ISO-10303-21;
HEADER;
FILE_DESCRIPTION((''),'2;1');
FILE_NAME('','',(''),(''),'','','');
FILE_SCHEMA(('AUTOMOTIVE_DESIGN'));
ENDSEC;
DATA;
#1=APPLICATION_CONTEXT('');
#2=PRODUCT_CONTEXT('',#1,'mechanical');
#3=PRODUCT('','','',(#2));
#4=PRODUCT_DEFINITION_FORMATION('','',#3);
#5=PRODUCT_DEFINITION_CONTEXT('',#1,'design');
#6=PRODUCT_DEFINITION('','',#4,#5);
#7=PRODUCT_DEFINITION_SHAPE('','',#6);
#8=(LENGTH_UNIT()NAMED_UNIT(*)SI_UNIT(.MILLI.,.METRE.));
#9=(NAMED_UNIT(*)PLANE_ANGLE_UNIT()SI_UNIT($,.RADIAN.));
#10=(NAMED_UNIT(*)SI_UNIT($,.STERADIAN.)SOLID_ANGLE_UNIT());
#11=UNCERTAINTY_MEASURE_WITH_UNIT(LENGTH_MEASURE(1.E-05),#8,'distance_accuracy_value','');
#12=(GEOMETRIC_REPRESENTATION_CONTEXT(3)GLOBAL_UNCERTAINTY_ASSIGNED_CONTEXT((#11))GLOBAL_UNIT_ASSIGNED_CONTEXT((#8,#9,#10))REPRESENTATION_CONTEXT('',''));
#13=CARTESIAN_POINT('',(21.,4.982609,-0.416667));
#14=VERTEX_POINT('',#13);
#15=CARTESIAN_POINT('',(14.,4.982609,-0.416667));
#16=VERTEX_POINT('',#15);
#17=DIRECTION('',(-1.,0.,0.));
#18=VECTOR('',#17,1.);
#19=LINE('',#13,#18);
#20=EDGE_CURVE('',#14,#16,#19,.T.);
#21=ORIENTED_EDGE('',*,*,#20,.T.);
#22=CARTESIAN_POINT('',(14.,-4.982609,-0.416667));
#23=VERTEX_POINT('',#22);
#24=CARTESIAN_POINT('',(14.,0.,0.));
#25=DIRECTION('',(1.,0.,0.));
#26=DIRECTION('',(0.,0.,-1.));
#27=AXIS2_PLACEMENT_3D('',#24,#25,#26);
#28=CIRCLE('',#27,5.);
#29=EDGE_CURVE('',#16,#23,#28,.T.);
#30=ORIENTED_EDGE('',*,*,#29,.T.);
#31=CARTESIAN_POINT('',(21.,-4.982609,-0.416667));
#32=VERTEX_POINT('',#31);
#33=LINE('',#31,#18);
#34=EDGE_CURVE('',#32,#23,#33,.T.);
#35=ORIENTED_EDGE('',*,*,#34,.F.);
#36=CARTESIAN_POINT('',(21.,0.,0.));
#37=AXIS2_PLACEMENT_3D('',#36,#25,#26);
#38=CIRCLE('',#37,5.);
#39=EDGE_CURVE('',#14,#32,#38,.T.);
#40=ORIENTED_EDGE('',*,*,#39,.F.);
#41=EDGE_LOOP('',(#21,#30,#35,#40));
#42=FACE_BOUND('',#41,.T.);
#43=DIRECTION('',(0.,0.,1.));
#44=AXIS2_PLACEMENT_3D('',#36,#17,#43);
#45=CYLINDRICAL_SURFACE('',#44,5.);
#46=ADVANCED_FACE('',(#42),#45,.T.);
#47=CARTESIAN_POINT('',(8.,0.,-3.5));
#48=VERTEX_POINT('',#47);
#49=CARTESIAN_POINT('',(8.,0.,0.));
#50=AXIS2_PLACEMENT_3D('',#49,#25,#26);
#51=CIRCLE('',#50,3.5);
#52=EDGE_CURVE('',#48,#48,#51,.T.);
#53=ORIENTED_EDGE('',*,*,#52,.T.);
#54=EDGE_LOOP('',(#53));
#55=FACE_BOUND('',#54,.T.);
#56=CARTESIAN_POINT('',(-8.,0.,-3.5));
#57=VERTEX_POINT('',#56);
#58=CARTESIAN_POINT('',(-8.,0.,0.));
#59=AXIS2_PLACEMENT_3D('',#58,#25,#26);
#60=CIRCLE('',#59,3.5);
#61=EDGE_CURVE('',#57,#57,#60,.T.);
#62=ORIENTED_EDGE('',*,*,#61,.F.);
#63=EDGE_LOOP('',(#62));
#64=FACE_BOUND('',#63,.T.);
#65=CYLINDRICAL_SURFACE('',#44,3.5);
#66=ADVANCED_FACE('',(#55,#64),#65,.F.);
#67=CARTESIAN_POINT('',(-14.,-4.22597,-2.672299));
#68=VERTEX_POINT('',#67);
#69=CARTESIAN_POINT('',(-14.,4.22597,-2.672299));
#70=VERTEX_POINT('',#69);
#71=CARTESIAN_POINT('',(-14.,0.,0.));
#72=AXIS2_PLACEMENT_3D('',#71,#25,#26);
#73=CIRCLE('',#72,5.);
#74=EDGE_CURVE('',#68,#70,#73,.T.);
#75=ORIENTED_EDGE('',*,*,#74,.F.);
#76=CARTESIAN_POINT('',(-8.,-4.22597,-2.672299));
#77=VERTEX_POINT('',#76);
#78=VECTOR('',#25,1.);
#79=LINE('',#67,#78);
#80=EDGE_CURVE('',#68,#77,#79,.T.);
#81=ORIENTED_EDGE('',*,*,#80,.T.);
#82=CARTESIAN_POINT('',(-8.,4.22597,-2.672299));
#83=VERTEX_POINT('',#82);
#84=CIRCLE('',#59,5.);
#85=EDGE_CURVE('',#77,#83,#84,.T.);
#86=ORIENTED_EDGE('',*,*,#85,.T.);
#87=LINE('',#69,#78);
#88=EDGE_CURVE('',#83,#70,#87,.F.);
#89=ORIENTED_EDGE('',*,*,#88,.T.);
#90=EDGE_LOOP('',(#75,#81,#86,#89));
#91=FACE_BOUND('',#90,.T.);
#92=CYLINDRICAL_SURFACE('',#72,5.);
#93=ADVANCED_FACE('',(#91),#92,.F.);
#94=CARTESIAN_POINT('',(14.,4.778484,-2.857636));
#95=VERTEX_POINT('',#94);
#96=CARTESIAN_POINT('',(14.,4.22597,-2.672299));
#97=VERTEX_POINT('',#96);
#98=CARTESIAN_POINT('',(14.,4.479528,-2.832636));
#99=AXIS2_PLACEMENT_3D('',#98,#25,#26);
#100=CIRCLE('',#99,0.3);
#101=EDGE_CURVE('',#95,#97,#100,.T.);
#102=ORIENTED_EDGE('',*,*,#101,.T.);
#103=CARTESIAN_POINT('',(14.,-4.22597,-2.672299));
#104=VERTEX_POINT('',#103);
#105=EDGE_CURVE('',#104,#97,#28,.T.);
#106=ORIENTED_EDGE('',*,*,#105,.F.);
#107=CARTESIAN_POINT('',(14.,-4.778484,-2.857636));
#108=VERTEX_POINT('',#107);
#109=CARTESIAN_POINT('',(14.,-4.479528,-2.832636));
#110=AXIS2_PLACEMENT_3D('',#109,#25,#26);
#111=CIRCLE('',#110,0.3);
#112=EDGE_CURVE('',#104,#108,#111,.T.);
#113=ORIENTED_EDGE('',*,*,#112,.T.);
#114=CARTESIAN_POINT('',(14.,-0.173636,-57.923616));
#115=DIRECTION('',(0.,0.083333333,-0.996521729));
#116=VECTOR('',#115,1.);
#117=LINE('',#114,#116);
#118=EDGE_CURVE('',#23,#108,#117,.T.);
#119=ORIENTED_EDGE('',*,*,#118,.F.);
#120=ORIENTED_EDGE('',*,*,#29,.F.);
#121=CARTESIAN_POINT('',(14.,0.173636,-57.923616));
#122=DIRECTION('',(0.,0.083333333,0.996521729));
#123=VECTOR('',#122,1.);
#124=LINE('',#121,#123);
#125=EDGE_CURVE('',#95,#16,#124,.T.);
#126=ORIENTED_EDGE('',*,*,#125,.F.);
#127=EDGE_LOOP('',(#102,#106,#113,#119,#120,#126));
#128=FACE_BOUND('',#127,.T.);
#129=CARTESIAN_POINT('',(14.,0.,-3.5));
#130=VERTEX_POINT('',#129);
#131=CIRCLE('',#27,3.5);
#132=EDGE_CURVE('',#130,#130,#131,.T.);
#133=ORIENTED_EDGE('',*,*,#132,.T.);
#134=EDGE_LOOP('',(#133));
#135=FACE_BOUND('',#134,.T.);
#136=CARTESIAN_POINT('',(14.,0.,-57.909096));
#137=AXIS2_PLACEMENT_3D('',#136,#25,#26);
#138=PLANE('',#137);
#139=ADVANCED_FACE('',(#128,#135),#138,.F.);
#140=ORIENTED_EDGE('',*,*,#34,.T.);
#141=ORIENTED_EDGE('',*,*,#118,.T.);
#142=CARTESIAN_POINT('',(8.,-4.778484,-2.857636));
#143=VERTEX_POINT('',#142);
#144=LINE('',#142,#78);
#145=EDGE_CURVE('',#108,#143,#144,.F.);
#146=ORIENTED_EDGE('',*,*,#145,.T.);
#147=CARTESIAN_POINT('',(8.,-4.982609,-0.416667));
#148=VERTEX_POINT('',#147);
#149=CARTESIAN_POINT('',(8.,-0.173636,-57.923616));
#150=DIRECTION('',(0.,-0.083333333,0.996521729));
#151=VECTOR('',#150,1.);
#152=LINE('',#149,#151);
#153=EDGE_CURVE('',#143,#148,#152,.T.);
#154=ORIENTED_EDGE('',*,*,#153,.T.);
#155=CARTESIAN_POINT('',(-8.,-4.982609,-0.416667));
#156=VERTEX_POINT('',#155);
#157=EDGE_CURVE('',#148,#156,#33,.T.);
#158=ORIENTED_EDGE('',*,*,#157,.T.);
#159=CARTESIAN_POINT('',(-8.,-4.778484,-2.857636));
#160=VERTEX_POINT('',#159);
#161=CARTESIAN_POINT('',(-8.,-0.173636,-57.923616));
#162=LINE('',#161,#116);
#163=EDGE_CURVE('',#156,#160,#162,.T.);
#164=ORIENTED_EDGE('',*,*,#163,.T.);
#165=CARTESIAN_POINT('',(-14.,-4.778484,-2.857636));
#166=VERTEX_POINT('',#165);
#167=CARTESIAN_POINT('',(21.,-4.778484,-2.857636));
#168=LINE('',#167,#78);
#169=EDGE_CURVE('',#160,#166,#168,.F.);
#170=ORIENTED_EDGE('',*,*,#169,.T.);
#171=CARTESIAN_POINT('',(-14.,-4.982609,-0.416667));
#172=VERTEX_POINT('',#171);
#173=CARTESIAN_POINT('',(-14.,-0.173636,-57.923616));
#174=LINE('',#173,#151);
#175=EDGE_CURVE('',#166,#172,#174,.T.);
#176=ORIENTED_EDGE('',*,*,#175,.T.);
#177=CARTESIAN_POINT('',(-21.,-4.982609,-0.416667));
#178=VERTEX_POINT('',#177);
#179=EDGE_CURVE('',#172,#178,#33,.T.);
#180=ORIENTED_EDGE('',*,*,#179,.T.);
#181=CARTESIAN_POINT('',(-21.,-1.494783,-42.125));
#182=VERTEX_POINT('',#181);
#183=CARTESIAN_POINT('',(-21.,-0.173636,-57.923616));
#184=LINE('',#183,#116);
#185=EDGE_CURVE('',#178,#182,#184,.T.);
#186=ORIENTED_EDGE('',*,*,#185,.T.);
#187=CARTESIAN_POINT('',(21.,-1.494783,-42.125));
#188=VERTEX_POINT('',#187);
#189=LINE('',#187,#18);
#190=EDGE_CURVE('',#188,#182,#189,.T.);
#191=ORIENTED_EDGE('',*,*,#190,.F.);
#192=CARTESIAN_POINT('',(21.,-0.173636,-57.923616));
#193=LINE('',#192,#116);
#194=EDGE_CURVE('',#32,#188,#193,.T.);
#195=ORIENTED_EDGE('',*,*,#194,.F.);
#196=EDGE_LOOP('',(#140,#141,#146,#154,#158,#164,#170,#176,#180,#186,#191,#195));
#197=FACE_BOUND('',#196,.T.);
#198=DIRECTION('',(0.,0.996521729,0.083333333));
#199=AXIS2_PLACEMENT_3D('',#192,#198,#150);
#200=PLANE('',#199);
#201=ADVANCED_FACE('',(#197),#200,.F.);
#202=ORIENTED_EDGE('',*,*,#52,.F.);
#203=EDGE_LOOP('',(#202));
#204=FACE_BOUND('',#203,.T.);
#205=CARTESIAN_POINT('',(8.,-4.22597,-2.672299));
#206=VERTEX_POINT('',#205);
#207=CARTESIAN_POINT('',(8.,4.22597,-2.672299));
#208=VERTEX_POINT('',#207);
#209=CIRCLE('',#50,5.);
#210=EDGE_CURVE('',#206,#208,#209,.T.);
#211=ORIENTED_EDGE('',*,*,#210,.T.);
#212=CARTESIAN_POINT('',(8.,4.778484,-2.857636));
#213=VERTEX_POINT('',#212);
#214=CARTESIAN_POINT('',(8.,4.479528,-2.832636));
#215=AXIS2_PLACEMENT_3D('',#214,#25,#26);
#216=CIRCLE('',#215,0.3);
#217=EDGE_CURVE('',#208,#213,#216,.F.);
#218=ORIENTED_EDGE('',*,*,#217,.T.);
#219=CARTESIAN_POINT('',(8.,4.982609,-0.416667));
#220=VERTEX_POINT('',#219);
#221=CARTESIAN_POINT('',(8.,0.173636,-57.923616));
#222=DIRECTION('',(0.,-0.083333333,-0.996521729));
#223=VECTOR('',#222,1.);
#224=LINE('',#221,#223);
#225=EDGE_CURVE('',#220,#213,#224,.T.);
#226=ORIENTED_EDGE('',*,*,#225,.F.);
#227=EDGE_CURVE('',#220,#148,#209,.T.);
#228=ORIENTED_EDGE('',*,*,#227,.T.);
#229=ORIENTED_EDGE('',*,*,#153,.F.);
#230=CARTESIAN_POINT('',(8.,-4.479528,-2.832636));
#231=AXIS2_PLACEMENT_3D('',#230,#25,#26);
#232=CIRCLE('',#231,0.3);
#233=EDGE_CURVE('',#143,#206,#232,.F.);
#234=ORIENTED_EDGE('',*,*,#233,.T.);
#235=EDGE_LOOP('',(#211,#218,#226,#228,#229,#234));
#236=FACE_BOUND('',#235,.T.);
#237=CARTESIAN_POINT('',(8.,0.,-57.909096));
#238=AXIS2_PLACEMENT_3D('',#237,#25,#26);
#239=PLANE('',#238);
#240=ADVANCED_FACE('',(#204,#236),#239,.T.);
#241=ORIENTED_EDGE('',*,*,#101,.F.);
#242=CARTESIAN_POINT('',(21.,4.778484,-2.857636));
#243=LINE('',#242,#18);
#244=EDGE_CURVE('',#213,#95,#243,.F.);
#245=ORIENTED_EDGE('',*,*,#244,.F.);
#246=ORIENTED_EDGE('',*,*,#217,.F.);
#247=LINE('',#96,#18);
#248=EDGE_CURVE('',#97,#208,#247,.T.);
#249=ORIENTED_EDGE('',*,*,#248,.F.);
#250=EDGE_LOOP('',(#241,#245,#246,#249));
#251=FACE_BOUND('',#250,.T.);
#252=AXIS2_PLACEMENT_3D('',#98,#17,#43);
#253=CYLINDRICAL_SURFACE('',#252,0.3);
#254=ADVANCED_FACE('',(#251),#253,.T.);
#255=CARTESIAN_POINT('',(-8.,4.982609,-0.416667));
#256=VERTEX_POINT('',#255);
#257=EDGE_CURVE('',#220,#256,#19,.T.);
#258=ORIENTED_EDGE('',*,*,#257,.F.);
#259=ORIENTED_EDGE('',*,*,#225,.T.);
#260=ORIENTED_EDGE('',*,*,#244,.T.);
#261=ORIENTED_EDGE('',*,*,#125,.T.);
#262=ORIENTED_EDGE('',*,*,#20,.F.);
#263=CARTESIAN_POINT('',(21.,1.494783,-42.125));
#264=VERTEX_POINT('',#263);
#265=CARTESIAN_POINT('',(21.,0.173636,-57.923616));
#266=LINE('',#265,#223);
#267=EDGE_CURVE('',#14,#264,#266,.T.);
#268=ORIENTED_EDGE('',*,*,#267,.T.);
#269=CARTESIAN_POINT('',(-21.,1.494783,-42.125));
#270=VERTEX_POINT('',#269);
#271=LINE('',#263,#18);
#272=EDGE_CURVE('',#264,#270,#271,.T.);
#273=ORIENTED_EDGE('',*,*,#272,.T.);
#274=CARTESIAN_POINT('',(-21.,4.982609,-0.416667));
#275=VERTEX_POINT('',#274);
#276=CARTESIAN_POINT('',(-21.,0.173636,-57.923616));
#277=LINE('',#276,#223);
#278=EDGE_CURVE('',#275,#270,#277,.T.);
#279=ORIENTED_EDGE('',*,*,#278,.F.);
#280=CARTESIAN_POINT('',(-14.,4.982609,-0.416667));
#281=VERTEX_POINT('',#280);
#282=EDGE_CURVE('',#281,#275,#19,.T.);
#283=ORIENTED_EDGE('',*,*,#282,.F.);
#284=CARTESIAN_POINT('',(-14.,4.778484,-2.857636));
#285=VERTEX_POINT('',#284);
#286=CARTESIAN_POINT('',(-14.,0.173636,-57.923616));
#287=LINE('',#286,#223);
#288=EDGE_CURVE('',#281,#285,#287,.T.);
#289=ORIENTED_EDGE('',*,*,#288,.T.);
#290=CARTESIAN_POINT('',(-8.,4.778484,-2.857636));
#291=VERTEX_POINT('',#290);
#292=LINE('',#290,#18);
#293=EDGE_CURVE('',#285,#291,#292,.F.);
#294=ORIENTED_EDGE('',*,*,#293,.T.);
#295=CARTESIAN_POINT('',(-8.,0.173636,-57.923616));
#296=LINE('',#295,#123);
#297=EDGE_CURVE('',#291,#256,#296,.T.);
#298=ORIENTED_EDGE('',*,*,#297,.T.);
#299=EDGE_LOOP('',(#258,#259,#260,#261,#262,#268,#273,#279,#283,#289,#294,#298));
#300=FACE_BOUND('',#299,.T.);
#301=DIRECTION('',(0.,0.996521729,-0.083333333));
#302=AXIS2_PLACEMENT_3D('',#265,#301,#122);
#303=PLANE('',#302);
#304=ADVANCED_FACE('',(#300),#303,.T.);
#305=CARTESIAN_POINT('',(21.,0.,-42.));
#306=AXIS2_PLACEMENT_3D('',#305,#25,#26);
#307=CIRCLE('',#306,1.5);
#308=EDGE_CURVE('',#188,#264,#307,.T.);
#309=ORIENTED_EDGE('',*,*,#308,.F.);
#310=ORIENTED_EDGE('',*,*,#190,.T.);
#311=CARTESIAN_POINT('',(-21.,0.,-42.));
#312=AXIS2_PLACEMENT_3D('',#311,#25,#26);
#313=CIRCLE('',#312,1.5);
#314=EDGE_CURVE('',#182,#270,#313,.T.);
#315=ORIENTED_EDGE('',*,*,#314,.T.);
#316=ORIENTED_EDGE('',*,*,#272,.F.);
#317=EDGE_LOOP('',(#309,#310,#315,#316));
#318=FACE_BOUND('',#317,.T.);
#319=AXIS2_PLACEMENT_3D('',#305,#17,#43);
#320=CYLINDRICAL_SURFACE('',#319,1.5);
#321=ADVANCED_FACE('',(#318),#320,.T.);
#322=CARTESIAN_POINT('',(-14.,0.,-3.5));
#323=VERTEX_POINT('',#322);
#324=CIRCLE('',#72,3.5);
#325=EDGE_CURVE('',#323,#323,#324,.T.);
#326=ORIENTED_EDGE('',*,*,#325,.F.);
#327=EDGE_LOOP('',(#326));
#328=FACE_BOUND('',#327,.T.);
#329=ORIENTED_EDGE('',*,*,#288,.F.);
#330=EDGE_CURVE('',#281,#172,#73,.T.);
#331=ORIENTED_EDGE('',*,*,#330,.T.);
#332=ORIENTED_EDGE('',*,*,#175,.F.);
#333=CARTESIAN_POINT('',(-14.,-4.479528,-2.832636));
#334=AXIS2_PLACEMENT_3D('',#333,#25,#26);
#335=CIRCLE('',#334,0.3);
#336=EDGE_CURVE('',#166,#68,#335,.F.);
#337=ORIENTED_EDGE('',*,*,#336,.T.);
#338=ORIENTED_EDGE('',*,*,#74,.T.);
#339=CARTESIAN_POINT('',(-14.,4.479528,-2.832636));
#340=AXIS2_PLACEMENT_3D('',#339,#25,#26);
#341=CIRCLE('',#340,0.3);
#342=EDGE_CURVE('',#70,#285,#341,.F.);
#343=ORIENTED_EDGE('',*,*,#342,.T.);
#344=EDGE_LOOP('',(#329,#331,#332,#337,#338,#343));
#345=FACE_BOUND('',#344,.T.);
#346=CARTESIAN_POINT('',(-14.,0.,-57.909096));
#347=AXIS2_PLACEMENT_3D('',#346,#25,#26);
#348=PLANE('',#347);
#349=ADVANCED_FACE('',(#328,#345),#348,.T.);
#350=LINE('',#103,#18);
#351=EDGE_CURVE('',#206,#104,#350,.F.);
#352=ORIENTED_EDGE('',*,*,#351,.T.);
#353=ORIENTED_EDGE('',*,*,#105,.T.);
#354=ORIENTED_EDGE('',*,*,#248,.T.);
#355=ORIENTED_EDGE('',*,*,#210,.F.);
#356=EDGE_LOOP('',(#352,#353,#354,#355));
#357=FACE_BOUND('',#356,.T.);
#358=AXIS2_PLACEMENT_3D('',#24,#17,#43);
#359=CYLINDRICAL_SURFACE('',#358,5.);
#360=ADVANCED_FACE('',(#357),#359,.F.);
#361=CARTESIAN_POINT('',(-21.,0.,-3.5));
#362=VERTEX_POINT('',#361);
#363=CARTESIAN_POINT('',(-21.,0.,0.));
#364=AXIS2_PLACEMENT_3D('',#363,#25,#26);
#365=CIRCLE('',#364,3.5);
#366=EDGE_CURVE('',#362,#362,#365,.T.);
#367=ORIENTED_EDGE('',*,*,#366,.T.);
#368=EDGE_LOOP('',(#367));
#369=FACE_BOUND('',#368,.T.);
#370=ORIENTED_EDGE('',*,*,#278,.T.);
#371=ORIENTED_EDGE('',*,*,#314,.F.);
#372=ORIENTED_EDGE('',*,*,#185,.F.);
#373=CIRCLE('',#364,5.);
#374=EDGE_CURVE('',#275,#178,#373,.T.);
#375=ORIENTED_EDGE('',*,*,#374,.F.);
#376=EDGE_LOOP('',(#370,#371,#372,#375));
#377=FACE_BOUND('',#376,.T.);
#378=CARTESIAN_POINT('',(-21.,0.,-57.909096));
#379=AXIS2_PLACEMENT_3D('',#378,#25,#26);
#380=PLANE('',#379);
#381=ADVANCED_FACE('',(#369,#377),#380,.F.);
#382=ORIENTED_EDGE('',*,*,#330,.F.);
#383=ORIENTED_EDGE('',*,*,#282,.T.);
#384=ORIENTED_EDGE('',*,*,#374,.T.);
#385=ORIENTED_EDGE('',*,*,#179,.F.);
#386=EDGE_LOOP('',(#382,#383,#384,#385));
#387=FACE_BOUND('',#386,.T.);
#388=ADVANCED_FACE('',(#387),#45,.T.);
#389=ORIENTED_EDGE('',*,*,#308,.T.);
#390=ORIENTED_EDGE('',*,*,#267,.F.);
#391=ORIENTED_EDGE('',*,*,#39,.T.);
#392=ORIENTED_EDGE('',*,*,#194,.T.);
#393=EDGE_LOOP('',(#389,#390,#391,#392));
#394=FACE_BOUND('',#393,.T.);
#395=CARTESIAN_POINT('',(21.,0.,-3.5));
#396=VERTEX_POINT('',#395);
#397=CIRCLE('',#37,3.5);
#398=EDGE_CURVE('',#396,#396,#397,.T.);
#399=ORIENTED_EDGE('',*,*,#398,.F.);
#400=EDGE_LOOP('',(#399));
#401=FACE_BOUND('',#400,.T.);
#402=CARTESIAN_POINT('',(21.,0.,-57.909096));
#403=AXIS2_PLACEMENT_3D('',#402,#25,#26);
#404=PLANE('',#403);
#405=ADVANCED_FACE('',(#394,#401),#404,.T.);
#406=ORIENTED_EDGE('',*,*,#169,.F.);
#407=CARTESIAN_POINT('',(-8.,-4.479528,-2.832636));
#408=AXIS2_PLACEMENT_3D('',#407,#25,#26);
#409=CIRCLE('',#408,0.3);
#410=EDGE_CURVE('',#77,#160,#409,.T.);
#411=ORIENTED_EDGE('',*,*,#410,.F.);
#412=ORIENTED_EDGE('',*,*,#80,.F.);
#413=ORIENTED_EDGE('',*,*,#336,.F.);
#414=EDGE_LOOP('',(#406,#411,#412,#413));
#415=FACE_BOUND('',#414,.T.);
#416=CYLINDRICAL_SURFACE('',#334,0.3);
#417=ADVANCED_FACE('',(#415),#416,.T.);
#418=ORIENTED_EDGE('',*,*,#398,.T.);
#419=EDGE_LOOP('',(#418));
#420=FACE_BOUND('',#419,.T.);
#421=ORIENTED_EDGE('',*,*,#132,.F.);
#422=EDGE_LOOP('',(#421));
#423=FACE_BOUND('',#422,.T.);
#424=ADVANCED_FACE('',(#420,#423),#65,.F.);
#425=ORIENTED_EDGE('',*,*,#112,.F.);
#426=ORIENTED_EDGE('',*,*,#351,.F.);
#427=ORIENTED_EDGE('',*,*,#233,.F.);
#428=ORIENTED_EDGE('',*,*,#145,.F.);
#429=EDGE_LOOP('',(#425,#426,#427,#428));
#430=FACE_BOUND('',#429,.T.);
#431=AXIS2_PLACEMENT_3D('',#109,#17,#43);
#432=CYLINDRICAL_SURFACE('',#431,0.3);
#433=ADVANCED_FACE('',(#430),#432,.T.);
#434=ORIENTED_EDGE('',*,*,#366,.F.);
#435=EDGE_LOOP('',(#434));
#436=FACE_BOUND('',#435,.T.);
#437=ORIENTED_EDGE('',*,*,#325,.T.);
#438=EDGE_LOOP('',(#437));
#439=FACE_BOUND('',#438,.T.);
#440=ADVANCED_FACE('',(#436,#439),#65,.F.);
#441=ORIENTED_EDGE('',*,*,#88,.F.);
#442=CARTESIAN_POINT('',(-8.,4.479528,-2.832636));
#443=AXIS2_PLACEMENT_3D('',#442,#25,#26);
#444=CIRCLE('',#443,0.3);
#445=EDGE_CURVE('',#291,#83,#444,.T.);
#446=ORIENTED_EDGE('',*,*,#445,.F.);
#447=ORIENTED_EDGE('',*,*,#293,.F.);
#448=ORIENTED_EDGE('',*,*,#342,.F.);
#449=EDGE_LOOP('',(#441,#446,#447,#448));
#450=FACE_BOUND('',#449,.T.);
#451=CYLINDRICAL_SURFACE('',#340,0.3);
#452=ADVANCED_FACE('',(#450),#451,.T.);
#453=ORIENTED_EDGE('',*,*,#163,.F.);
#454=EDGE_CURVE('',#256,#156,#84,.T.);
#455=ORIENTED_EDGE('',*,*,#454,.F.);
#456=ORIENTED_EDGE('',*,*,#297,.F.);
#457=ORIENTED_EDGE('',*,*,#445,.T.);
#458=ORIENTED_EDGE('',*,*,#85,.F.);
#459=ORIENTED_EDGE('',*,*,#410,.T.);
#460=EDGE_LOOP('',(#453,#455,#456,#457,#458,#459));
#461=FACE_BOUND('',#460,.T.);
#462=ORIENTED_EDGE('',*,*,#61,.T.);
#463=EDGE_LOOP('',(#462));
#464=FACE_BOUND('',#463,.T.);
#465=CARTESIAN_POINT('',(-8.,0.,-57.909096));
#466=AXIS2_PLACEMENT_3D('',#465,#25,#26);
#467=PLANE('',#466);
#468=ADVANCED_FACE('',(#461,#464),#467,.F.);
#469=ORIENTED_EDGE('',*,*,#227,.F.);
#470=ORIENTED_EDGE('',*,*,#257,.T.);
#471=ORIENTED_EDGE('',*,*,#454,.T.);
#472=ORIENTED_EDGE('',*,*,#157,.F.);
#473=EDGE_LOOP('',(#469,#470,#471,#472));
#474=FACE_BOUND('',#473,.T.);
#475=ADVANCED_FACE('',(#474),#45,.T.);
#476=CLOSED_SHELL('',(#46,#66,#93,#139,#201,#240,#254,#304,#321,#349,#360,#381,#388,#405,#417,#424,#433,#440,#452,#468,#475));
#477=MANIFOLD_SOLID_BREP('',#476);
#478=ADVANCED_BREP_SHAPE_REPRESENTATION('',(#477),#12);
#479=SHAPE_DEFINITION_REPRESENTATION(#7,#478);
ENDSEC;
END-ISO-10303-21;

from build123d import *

# Parameters (mm, degrees)
SKETCH1_R           = 5
SKETCH1_R_2         = 3.5
SKETCH1_R_3         = 1.5
BOSS_EXTRUDE1_DEPTH = 21
CUT_EXTRUDE1_START  = 8
SKETCH1_3_R         = 5
CUT_EXTRUDE1_DEPTH  = 6
CUT_EXTRUDE2_START  = -8
SKETCH1_4_R         = 5
CUT_EXTRUDE2_DEPTH  = 6
FILLET1_R           = 0.3


with BuildPart() as part:
    # Sketch1 → Boss-Extrude1 (new body, symmetric)
    with BuildSketch(Plane(origin=(0, 0, 0), x_dir=(0, 0, -1), z_dir=(1, 0, 0))):
        with BuildLine():
            Line((42.125, 1.494782593), (0.416666667, 4.982608643))
            ThreePointArc((0.416666667, 4.982608643), (3.679900361, 3.385016002), (5, 0))
            ThreePointArc((5, 0), (3.679900361, -3.385016002), (0.416666667, -4.982608643))
            Line((0.416666667, -4.982608643), (42.125, -1.494782593))
            ThreePointArc((42.125, -1.494782593), (40.5, 0), (42.125, 1.494782593))
        make_face()
        Circle(SKETCH1_R)
        Circle(SKETCH1_R_2, mode=Mode.SUBTRACT)
        with Locations((42, 0)):
            Circle(SKETCH1_R_3)
    extrude(amount=BOSS_EXTRUDE1_DEPTH, both=True)

    # Sketch1<3> → Cut-Extrude1 (cut)
    with BuildSketch(Plane(origin=(0, 0, 0), x_dir=(0, 0, -1), z_dir=(1, 0, 0)).offset(CUT_EXTRUDE1_START)):
        Circle(SKETCH1_3_R)
    extrude(amount=CUT_EXTRUDE1_DEPTH, mode=Mode.SUBTRACT)

    # Sketch1<4> → Cut-Extrude2 (cut)
    with BuildSketch(Plane(origin=(0, 0, 0), x_dir=(0, 0, -1), z_dir=(1, 0, 0)).offset(CUT_EXTRUDE2_START)):
        Circle(SKETCH1_4_R)
    extrude(amount=-CUT_EXTRUDE2_DEPTH, mode=Mode.SUBTRACT)

    # Fillet1
    fillet1_edges = [part.edges().sort_by_distance(p)[0] for p in [
        (11, -4.982608643, -0.416666667),
        (11, 4.982608643, -0.416666667),
        (-11, 4.982608643, -0.416666667),
        (-11, -4.982608643, -0.416666667),
    ]]
    fillet(fillet1_edges, radius=FILLET1_R)


solid = part.part
